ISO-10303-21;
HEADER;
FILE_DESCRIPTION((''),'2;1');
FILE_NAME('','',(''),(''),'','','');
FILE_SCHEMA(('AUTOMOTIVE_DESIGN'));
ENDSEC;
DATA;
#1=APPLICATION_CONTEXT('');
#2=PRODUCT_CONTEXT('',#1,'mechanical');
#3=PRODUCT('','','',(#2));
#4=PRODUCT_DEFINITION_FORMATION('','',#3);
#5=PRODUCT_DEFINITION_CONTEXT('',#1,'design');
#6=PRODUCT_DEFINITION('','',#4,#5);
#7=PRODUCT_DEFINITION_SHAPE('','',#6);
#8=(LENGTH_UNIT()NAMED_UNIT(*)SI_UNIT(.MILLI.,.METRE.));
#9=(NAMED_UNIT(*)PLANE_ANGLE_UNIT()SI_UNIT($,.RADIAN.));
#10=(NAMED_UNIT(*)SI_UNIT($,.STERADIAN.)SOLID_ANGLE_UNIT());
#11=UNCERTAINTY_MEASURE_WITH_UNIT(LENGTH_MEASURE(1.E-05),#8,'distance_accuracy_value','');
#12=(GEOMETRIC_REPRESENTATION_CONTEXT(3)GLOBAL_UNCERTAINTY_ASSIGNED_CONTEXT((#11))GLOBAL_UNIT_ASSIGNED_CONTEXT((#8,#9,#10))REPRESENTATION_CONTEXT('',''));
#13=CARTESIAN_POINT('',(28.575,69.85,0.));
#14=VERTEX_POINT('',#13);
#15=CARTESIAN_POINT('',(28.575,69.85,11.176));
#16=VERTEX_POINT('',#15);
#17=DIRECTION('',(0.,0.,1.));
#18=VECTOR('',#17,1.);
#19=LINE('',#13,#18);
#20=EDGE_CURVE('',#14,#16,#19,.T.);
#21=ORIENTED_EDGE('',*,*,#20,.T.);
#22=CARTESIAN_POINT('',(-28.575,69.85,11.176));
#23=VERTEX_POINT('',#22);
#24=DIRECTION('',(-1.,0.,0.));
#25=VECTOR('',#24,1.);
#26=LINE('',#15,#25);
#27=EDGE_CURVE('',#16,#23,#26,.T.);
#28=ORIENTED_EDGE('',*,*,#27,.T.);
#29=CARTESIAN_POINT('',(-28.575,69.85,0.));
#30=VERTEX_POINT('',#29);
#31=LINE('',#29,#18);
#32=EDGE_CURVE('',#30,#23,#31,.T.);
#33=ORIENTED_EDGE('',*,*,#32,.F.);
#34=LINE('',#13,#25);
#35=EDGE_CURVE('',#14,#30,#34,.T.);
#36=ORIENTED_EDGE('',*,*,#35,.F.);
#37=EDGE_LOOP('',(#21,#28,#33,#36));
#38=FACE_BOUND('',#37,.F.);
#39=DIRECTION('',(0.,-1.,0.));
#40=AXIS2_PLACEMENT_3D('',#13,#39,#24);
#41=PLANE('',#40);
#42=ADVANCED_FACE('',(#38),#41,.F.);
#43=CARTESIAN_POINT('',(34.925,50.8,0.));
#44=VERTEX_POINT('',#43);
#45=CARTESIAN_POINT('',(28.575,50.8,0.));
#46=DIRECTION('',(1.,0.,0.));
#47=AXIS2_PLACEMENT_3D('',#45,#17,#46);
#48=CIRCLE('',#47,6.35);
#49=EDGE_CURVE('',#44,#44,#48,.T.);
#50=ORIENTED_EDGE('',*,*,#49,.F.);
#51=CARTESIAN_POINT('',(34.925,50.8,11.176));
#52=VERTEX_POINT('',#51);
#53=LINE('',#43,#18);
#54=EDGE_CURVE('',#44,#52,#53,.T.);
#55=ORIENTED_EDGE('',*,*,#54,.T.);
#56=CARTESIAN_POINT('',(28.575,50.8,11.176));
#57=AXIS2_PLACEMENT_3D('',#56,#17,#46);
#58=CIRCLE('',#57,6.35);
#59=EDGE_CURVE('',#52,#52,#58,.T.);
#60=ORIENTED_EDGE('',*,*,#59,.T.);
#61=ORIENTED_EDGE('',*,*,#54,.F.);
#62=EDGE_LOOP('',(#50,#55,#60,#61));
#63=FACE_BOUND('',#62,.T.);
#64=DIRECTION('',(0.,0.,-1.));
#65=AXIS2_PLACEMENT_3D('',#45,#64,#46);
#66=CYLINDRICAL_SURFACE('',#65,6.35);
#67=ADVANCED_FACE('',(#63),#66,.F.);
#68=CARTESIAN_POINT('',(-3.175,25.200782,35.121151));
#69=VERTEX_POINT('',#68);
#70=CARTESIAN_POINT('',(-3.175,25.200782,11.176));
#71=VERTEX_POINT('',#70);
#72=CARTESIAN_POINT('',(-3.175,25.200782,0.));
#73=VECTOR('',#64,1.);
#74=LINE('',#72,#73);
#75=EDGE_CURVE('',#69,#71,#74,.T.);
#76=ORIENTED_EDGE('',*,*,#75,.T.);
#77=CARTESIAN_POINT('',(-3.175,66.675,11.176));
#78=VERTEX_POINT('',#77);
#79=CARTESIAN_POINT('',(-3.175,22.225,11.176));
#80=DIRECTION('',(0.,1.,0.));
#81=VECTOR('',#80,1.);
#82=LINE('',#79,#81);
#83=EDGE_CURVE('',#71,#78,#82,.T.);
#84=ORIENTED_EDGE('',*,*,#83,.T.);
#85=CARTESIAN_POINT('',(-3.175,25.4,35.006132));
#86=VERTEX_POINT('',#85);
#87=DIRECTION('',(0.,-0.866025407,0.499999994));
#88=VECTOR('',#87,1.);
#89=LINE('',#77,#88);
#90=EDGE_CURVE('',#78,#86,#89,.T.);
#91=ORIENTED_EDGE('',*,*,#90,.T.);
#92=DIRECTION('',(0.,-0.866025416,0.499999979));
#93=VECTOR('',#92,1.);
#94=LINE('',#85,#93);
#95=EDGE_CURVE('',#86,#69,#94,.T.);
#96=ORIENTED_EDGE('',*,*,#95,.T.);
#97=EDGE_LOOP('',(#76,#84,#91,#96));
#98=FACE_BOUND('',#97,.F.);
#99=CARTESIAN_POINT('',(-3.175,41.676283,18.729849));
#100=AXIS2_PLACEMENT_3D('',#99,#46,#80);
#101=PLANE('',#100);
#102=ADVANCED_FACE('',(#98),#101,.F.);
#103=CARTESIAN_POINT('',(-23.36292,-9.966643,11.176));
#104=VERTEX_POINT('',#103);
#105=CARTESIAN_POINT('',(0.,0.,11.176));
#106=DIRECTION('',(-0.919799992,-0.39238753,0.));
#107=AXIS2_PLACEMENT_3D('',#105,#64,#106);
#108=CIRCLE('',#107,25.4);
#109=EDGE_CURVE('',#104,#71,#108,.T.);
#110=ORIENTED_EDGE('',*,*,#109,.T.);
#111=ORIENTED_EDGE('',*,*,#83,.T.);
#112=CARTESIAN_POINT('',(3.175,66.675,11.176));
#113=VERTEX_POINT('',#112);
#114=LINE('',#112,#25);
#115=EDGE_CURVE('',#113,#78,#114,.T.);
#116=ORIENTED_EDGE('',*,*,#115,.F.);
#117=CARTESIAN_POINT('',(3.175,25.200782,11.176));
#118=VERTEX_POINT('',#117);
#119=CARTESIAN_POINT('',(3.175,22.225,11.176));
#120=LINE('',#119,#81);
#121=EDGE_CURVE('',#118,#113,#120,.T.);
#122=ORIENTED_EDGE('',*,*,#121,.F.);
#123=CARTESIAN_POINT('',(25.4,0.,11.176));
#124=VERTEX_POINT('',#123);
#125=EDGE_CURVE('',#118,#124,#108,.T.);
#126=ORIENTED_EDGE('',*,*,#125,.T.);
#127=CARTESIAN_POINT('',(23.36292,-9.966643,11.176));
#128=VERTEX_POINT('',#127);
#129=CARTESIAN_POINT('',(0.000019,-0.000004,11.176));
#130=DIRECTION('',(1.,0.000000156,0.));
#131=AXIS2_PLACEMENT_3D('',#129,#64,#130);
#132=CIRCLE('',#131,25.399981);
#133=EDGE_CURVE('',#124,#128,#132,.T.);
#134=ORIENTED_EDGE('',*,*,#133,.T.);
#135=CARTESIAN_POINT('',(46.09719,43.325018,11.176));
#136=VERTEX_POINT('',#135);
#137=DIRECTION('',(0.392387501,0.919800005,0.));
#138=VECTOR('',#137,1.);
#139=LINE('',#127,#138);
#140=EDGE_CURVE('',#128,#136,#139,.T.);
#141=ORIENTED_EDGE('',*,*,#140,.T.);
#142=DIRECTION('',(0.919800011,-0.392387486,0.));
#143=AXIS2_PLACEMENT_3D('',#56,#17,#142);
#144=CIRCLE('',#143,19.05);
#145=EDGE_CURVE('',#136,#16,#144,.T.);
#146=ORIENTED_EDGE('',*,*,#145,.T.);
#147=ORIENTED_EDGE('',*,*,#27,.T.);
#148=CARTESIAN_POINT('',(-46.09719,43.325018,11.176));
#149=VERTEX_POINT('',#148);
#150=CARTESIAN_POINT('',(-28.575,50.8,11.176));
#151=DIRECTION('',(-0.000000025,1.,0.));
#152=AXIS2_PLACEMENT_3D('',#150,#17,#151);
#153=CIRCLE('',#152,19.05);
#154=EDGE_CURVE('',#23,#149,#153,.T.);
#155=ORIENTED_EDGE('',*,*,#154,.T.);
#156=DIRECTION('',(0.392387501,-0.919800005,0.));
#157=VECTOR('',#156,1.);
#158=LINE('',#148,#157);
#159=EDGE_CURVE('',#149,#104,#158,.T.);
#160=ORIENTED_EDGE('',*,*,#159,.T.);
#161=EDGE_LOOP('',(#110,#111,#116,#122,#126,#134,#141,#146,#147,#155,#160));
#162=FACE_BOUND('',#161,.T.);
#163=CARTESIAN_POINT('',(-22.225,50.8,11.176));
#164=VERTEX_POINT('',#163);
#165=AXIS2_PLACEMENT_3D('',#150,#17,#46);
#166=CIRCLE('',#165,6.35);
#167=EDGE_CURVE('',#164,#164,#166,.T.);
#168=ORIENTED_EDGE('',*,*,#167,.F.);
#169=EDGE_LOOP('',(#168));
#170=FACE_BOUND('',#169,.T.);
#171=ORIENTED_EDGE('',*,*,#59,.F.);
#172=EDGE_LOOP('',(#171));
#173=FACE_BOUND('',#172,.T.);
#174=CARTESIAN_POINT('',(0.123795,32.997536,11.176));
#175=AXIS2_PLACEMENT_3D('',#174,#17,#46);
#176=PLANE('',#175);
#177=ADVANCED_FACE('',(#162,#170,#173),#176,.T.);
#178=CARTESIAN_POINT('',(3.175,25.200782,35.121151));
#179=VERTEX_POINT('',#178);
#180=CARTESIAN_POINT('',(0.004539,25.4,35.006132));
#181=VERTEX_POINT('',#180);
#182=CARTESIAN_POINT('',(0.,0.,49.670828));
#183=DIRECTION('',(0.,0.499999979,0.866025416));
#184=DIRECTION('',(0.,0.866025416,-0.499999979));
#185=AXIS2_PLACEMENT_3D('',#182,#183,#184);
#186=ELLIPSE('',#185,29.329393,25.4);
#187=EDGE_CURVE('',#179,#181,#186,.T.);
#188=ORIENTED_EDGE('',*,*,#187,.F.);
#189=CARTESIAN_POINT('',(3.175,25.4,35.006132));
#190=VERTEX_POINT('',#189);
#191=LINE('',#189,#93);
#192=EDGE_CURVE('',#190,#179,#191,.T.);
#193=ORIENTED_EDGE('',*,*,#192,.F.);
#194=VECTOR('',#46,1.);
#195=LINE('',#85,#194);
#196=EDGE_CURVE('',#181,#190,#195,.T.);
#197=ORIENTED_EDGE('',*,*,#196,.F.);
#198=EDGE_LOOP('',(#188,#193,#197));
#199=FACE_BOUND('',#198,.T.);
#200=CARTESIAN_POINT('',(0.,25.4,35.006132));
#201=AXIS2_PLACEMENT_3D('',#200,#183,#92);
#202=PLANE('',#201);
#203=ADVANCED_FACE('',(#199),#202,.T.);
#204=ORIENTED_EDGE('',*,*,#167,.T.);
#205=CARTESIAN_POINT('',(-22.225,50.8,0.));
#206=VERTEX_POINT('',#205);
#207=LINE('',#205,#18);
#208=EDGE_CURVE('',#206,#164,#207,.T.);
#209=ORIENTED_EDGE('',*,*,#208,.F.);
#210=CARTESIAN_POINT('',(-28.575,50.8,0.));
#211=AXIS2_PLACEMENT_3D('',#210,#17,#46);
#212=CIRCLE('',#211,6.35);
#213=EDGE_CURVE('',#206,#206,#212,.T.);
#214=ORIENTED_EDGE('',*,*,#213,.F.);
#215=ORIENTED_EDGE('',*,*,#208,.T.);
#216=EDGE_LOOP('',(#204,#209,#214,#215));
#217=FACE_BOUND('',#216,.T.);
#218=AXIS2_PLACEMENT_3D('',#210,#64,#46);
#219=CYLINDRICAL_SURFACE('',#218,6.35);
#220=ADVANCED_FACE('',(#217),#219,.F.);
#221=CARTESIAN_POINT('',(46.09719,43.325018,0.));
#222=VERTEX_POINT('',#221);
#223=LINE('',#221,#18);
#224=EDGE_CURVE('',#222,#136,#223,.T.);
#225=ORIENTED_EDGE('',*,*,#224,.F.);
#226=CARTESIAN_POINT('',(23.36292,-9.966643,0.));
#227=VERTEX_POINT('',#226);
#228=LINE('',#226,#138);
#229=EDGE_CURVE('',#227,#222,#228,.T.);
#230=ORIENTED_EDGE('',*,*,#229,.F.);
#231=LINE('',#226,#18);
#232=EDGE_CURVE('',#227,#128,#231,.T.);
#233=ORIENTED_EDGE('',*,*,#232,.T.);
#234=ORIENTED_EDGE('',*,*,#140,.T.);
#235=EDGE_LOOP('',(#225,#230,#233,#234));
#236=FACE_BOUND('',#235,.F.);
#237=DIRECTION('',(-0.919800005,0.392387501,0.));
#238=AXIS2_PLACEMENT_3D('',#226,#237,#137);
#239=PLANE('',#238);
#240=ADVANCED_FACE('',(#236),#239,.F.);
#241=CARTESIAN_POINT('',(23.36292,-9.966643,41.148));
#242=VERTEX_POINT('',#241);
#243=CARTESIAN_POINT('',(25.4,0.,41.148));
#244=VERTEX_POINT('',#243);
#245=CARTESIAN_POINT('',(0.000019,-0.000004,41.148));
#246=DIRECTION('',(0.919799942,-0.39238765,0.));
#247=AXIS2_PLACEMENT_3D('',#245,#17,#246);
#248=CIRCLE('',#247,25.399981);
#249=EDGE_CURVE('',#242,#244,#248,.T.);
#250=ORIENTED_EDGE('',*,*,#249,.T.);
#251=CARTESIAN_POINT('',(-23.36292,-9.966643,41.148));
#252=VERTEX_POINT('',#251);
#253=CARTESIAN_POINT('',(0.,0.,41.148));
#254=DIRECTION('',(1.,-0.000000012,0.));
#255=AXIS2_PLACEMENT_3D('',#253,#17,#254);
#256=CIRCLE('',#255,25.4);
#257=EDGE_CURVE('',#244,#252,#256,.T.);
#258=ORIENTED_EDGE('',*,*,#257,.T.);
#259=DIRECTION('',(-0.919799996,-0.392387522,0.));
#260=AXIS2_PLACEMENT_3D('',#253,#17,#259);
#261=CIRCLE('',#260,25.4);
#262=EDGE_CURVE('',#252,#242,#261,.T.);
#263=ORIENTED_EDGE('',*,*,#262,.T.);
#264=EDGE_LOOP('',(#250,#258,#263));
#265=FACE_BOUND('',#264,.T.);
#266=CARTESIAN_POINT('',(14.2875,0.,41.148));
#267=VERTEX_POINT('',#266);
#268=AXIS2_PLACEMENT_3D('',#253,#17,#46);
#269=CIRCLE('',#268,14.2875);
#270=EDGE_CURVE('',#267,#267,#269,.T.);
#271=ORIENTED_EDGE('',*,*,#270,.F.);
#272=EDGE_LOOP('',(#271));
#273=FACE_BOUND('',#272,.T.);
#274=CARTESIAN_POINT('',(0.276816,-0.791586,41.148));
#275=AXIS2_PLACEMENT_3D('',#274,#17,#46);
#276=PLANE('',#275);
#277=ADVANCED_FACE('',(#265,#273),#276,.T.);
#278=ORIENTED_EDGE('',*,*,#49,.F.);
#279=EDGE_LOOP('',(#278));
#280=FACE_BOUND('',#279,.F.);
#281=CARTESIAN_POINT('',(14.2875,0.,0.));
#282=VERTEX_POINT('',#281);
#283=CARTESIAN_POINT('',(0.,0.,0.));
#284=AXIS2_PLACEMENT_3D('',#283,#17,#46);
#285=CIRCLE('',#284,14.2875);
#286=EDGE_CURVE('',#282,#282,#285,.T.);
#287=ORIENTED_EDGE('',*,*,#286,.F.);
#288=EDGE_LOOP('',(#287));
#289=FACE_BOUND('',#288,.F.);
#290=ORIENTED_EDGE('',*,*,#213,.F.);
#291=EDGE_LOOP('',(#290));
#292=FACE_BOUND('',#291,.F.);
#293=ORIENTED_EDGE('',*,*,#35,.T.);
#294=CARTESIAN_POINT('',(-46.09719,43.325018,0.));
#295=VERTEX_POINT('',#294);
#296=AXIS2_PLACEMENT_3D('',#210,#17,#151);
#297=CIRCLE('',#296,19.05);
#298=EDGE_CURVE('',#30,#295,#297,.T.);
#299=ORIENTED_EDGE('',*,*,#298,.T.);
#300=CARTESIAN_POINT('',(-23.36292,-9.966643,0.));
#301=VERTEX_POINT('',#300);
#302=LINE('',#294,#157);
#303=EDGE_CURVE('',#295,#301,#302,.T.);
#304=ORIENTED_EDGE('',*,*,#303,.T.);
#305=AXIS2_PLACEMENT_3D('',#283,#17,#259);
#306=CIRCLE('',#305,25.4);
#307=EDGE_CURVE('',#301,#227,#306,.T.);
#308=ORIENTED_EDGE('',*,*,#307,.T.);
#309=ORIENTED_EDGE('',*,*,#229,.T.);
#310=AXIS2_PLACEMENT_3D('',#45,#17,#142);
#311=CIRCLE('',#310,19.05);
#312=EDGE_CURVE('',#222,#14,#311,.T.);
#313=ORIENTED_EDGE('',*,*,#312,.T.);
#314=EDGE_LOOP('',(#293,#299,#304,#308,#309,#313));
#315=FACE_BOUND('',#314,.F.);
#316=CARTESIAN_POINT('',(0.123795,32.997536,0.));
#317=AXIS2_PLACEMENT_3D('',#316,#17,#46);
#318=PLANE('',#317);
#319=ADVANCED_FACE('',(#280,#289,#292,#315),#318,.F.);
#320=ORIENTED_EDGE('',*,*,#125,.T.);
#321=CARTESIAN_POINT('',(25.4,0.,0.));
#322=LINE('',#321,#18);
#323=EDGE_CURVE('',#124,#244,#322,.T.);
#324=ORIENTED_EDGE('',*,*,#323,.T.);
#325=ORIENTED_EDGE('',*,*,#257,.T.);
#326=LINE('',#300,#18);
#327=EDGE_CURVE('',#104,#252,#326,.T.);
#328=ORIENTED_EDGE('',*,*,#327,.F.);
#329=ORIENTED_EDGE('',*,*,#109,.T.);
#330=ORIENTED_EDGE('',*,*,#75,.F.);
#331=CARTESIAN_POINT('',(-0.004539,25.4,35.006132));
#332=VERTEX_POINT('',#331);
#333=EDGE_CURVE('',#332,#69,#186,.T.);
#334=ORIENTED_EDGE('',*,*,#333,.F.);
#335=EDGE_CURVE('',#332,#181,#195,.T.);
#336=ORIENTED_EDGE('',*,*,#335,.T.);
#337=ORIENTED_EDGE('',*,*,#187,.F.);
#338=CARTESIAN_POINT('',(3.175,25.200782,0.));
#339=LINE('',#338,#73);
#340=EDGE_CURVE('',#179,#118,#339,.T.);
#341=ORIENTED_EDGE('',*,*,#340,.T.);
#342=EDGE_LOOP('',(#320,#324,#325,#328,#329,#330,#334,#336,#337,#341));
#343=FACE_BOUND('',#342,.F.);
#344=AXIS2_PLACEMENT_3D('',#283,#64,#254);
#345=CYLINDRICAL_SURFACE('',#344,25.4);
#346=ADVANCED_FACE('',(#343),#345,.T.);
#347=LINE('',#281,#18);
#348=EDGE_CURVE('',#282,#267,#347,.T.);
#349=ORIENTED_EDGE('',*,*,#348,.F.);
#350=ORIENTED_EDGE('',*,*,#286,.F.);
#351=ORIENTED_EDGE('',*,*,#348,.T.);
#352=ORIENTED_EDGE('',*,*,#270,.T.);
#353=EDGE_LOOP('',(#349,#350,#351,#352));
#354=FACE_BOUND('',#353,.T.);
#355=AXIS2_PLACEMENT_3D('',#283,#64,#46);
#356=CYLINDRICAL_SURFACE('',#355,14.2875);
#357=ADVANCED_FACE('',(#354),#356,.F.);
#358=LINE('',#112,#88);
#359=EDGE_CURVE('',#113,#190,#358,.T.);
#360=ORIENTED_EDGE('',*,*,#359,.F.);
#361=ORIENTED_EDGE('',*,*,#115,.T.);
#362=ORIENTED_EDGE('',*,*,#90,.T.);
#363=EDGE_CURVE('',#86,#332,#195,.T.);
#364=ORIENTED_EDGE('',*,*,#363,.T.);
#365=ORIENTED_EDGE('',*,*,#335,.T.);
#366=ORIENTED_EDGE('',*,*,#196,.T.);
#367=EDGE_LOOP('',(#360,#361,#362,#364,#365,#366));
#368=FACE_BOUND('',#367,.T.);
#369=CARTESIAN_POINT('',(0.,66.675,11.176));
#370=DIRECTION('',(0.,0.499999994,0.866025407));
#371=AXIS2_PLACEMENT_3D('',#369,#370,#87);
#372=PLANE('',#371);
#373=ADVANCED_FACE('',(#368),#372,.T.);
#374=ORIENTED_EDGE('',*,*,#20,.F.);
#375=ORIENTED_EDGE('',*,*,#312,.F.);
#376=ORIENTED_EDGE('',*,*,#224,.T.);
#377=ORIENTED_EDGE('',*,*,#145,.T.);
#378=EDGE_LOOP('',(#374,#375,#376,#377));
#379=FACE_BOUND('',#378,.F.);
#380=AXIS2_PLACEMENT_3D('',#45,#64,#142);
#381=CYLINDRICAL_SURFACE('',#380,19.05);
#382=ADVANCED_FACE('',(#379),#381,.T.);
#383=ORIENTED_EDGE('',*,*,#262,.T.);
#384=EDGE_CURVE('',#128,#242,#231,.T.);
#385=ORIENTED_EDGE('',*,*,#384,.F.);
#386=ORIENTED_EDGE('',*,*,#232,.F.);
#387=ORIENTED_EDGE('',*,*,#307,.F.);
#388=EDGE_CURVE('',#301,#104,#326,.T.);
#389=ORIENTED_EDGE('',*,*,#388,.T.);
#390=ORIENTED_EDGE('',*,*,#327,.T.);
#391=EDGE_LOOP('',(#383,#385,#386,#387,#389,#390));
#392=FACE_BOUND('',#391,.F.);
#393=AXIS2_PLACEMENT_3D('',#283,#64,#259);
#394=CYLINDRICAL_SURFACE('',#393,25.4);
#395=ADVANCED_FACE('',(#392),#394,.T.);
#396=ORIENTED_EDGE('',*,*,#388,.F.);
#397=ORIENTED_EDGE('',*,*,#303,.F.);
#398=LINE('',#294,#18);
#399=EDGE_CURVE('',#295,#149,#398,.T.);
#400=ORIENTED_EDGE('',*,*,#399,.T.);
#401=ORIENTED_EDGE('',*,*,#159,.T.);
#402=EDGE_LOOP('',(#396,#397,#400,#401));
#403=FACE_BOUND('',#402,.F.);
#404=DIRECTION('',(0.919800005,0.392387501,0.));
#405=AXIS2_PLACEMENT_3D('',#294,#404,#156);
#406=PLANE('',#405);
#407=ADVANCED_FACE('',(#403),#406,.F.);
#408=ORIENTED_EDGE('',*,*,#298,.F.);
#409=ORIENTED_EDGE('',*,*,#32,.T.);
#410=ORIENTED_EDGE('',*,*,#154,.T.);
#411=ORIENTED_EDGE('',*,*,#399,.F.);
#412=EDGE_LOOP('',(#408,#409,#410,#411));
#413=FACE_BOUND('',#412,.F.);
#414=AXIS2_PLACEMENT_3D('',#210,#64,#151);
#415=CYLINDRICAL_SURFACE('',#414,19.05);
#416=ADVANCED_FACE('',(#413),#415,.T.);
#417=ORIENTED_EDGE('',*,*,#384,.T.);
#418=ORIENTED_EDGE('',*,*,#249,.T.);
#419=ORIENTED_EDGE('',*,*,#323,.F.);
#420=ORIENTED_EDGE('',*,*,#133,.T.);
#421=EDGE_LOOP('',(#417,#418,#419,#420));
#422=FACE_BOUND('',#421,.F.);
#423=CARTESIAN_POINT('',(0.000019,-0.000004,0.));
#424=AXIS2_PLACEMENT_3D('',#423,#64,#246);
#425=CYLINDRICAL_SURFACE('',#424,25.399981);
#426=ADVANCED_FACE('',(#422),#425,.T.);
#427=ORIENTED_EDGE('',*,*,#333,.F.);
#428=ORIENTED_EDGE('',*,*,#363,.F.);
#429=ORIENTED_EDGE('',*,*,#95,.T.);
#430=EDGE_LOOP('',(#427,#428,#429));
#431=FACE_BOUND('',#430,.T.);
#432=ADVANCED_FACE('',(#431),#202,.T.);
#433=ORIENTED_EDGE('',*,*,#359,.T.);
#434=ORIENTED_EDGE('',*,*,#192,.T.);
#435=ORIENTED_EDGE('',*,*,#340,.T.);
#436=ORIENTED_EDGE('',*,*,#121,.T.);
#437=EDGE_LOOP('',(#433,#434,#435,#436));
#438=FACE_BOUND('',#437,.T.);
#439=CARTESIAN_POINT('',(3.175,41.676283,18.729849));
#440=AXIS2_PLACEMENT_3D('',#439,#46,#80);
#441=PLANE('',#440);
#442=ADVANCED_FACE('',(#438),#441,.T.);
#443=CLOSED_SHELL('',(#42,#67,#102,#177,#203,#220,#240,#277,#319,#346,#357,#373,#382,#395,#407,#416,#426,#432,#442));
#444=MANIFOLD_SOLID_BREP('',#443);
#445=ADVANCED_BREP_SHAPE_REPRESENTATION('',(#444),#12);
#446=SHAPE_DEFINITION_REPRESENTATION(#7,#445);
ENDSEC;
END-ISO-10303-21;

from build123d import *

# Parameters (mm, degrees)
F0_R     = 14.2875
F1_DEPTH = 41.148
F0_R_2   = 6.35
F2_DEPTH = 11.176
F4_DEPTH = 3.175


with BuildPart() as f1:
    # F0 (on Top) → F1 (new body)
    with BuildSketch(Plane.XY):
        with BuildLine():
            ThreePointArc((23.36292, -9.966643), (24.88552, -5.086346), (25.4, 0))
            ThreePointArc((25.4, 0), (-5.086346, 24.88552), (-23.36292, -9.966643))
            ThreePointArc((-23.36292, -9.966643), (0, -25.4), (23.36292, -9.966643))
        make_face()
        Circle(F0_R, mode=Mode.SUBTRACT)
    extrude(amount=F1_DEPTH)

    # F0 (on Top) → F2 (join)
    with BuildSketch(Plane.XY):
        with BuildLine():
            ThreePointArc((-23.36292, -9.966643), (-5.086346, 24.88552), (25.4, 0))
            ThreePointArc((25.4, 0), (24.88552, -5.086346), (23.36292, -9.966643))
            Line((23.36292, -9.966643), (46.09719, 43.325018))
            ThreePointArc((46.09719, 43.325018), (44.469982, 61.300097), (28.575, 69.85))
            Line((28.575, 69.85), (-28.575, 69.85))
            ThreePointArc((-28.575, 69.85), (-44.469982, 61.300097), (-46.09719, 43.325018))
            Line((-46.09719, 43.325018), (-23.36292, -9.966643))
        make_face()
        with Locations((-28.575, 50.8)):
            Circle(F0_R_2, mode=Mode.SUBTRACT)
        with Locations((28.575, 50.8)):
            Circle(F0_R_2, mode=Mode.SUBTRACT)
    extrude(amount=F2_DEPTH)

    # F3 (on Right) → F4 (join, symmetric)
    with BuildSketch(Plane.YZ):
        Polygon((66.675, 11.176), (25.4, 35.006132), (25.4, 11.176), align=None)
        Polygon((25.4, 11.176), (25.4, 35.006132), (22.225, 36.839219), (22.225, 11.176), align=None)
    extrude(amount=F4_DEPTH, both=True)


solid = f1.part
